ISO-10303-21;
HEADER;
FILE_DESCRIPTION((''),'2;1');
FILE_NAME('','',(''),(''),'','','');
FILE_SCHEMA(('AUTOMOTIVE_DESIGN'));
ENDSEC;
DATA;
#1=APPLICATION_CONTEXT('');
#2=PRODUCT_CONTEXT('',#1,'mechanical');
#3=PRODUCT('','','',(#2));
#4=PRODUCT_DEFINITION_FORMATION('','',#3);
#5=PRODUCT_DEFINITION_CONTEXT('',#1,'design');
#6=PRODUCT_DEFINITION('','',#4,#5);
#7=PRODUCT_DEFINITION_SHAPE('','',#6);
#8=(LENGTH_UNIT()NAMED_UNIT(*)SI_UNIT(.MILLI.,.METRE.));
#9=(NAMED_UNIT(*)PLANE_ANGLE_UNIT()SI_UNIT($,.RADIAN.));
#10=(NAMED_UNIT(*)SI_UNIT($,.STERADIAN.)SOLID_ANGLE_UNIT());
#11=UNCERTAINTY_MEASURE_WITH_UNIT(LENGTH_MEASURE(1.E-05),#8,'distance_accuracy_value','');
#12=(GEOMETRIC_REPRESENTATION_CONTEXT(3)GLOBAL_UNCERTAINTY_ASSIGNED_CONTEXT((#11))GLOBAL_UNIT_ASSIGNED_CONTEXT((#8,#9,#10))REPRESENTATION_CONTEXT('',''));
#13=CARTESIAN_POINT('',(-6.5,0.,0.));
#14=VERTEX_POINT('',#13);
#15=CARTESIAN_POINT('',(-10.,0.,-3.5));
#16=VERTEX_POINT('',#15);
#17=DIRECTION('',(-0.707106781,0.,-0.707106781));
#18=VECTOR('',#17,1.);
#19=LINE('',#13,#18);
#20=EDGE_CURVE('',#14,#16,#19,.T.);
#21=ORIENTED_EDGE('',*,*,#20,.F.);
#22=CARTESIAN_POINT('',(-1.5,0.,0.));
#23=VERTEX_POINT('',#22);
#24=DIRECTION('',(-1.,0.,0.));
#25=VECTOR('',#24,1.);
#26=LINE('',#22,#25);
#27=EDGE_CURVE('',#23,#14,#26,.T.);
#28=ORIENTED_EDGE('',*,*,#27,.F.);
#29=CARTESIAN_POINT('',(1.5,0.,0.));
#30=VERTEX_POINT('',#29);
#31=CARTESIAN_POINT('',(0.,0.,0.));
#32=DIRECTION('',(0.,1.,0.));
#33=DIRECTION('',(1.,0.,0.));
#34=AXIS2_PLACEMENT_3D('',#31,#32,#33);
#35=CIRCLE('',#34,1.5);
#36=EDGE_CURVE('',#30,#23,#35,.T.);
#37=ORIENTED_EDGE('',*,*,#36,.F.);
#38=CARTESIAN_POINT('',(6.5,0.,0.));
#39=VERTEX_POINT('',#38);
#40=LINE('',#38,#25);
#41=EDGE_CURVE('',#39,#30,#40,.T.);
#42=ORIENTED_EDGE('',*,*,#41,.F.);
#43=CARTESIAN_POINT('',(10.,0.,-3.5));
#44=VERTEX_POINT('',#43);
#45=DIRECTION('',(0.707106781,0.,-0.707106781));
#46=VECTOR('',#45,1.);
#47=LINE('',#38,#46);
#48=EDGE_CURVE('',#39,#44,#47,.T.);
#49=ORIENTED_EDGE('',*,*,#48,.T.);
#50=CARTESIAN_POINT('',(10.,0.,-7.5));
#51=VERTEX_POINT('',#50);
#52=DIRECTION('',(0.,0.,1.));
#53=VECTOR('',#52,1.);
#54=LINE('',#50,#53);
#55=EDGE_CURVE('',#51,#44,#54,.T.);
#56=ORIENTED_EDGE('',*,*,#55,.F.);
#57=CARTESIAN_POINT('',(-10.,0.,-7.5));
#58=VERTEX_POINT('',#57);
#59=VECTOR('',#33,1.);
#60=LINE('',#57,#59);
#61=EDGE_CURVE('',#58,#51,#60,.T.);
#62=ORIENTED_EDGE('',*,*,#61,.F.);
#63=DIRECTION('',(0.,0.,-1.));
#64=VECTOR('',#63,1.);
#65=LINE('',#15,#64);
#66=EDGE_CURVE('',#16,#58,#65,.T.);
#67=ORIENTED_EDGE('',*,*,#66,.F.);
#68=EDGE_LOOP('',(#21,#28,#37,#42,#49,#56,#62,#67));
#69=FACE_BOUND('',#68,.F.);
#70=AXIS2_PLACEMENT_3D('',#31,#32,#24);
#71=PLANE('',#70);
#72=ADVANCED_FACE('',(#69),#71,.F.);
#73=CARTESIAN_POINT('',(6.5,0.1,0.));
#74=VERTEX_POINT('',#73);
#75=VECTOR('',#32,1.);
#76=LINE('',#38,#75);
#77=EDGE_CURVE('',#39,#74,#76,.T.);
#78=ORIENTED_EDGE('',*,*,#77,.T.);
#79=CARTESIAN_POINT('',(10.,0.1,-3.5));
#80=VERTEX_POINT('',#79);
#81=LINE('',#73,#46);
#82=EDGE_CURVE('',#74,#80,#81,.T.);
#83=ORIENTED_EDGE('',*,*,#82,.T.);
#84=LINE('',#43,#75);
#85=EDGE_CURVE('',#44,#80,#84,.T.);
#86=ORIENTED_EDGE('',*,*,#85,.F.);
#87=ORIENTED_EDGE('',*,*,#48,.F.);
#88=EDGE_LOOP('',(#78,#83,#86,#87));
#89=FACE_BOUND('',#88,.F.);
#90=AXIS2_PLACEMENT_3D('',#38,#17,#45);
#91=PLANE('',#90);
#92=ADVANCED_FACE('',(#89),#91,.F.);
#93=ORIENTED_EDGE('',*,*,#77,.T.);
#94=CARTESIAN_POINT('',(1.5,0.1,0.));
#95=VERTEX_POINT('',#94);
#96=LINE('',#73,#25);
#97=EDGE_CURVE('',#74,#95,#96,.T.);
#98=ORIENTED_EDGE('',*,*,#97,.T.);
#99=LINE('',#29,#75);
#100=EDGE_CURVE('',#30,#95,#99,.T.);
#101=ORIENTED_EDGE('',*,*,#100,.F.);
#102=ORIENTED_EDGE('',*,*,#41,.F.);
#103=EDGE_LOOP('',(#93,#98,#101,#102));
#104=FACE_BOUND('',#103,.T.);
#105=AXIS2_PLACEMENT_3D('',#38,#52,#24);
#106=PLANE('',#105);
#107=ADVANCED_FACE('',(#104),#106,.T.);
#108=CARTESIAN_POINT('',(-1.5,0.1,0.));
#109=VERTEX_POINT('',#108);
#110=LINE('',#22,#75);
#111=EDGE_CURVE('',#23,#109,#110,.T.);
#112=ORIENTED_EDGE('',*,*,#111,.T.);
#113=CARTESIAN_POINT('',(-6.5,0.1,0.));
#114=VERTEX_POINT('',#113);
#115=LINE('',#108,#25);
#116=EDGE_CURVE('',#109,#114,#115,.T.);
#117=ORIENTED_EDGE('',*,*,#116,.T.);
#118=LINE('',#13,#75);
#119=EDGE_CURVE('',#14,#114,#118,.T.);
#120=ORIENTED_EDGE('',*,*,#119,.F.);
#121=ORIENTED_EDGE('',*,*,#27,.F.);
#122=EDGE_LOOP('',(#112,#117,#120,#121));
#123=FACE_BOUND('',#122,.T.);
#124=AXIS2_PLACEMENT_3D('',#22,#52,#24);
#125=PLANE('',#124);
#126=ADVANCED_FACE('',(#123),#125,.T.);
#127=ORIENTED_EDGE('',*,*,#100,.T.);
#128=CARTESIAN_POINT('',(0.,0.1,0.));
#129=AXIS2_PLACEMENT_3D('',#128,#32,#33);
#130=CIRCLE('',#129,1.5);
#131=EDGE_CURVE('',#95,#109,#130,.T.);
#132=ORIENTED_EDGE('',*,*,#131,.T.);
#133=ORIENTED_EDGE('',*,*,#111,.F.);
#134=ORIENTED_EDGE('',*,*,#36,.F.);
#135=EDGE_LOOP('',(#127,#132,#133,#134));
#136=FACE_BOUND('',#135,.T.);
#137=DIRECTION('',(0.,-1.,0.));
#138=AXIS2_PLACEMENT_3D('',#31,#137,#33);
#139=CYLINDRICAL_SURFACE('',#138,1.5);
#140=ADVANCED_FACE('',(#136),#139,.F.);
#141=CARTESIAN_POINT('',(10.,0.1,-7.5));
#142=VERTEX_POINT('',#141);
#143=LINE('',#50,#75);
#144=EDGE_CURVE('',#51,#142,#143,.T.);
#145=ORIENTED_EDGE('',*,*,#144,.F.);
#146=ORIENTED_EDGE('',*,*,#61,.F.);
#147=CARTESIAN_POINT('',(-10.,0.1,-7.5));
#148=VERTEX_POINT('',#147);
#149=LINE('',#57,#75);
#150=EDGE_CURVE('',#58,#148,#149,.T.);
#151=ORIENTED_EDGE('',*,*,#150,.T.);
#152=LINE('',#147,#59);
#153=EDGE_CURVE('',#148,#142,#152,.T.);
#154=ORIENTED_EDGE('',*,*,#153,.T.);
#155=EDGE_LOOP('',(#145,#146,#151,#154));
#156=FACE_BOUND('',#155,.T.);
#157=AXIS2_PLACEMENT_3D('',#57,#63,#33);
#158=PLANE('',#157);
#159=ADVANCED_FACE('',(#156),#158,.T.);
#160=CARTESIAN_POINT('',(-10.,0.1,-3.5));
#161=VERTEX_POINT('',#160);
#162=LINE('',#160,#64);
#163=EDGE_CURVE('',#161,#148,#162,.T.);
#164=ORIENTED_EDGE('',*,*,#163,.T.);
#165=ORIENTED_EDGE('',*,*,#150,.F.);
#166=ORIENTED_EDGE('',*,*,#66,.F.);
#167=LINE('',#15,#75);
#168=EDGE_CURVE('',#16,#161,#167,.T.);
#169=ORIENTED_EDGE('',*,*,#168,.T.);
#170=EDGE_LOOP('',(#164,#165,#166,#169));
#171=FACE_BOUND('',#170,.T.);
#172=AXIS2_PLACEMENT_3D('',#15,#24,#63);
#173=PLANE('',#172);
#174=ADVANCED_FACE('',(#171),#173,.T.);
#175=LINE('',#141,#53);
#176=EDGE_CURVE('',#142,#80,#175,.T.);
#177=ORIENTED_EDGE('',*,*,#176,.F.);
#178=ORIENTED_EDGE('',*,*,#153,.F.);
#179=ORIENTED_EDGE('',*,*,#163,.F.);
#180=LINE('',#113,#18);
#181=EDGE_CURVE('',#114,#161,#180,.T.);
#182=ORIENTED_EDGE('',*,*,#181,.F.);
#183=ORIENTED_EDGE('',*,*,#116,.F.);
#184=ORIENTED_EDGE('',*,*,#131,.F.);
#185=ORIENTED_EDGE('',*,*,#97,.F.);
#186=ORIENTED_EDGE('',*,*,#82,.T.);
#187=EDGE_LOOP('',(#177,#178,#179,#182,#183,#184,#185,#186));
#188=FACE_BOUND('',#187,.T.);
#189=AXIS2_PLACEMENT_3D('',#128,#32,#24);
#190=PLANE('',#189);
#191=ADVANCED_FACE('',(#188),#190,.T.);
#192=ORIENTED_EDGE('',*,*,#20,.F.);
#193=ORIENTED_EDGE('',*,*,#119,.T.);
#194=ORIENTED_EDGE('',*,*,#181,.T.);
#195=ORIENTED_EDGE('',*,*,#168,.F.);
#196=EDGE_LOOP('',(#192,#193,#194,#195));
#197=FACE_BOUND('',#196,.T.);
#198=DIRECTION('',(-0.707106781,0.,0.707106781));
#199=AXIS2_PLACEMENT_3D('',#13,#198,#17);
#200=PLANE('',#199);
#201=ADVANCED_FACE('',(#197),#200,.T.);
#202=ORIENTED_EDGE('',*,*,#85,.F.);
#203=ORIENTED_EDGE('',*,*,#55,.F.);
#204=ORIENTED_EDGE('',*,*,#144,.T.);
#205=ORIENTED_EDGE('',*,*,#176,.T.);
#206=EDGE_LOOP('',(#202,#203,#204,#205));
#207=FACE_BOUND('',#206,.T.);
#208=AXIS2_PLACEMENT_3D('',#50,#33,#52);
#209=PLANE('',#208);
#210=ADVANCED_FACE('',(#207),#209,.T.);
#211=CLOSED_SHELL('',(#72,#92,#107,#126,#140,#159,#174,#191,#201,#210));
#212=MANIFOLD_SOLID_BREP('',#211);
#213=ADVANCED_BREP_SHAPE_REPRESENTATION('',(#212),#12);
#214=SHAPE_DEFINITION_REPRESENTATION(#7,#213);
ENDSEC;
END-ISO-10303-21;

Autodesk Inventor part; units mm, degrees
ref_plane "YZ Plane" through (0, 0, 0) normal (1, 0, 0) x (0, 1, 0)
ref_plane "XZ Plane" through (0, 0, 0) normal (0, 1, 0) x (-1, 0, 0)
ref_plane "XY Plane" through (0, 0, 0) normal (0, 0, 1) x (1, 0, 0)
sketch "Sketch1" plane through (0, 0, 0) normal (0, 1, 0) x (-1, 0, 0)
  line L0 (1.5, 0) -> (6.5, 0)
  line L1 (10, -3.5) -> (10, -7.5)
  line L2 (10, -7.5) -> (-10, -7.5)
  line L3 (-10, -7.5) -> (-10, -3.5)
  arc A0 (-1.5, 0) -> (1.5, 0) centre (0, 0) ccw
  line L4 (-6.5, 0) -> (-1.5, 0)
  line L5 (1.5, 0) -> (6.5, 0)
  line L6 (6.5, 0) -> (10, -3.5)
  line L7 (-6.5, 0) -> (-10, -3.5)
  point P0 (-9.6433, 0)
  dimension "d0" = 1.5
  dimension "d1" = 7.5
  dimension "d2" = 20
  dimension "d3" = 10
  dimension "d6" = 4
  dimension "d7" = 4
  dimension "d10" = 135
  dimension "d11" = 7.5
extrude "Extrusion1" add sketch "Sketch1" along normal blind 0.1
equation "\"d3\" = 0.5 * d2"
equation "\"d7\" = d6"
equation "\"d11\" = d1"
properties part number "bladefull"
